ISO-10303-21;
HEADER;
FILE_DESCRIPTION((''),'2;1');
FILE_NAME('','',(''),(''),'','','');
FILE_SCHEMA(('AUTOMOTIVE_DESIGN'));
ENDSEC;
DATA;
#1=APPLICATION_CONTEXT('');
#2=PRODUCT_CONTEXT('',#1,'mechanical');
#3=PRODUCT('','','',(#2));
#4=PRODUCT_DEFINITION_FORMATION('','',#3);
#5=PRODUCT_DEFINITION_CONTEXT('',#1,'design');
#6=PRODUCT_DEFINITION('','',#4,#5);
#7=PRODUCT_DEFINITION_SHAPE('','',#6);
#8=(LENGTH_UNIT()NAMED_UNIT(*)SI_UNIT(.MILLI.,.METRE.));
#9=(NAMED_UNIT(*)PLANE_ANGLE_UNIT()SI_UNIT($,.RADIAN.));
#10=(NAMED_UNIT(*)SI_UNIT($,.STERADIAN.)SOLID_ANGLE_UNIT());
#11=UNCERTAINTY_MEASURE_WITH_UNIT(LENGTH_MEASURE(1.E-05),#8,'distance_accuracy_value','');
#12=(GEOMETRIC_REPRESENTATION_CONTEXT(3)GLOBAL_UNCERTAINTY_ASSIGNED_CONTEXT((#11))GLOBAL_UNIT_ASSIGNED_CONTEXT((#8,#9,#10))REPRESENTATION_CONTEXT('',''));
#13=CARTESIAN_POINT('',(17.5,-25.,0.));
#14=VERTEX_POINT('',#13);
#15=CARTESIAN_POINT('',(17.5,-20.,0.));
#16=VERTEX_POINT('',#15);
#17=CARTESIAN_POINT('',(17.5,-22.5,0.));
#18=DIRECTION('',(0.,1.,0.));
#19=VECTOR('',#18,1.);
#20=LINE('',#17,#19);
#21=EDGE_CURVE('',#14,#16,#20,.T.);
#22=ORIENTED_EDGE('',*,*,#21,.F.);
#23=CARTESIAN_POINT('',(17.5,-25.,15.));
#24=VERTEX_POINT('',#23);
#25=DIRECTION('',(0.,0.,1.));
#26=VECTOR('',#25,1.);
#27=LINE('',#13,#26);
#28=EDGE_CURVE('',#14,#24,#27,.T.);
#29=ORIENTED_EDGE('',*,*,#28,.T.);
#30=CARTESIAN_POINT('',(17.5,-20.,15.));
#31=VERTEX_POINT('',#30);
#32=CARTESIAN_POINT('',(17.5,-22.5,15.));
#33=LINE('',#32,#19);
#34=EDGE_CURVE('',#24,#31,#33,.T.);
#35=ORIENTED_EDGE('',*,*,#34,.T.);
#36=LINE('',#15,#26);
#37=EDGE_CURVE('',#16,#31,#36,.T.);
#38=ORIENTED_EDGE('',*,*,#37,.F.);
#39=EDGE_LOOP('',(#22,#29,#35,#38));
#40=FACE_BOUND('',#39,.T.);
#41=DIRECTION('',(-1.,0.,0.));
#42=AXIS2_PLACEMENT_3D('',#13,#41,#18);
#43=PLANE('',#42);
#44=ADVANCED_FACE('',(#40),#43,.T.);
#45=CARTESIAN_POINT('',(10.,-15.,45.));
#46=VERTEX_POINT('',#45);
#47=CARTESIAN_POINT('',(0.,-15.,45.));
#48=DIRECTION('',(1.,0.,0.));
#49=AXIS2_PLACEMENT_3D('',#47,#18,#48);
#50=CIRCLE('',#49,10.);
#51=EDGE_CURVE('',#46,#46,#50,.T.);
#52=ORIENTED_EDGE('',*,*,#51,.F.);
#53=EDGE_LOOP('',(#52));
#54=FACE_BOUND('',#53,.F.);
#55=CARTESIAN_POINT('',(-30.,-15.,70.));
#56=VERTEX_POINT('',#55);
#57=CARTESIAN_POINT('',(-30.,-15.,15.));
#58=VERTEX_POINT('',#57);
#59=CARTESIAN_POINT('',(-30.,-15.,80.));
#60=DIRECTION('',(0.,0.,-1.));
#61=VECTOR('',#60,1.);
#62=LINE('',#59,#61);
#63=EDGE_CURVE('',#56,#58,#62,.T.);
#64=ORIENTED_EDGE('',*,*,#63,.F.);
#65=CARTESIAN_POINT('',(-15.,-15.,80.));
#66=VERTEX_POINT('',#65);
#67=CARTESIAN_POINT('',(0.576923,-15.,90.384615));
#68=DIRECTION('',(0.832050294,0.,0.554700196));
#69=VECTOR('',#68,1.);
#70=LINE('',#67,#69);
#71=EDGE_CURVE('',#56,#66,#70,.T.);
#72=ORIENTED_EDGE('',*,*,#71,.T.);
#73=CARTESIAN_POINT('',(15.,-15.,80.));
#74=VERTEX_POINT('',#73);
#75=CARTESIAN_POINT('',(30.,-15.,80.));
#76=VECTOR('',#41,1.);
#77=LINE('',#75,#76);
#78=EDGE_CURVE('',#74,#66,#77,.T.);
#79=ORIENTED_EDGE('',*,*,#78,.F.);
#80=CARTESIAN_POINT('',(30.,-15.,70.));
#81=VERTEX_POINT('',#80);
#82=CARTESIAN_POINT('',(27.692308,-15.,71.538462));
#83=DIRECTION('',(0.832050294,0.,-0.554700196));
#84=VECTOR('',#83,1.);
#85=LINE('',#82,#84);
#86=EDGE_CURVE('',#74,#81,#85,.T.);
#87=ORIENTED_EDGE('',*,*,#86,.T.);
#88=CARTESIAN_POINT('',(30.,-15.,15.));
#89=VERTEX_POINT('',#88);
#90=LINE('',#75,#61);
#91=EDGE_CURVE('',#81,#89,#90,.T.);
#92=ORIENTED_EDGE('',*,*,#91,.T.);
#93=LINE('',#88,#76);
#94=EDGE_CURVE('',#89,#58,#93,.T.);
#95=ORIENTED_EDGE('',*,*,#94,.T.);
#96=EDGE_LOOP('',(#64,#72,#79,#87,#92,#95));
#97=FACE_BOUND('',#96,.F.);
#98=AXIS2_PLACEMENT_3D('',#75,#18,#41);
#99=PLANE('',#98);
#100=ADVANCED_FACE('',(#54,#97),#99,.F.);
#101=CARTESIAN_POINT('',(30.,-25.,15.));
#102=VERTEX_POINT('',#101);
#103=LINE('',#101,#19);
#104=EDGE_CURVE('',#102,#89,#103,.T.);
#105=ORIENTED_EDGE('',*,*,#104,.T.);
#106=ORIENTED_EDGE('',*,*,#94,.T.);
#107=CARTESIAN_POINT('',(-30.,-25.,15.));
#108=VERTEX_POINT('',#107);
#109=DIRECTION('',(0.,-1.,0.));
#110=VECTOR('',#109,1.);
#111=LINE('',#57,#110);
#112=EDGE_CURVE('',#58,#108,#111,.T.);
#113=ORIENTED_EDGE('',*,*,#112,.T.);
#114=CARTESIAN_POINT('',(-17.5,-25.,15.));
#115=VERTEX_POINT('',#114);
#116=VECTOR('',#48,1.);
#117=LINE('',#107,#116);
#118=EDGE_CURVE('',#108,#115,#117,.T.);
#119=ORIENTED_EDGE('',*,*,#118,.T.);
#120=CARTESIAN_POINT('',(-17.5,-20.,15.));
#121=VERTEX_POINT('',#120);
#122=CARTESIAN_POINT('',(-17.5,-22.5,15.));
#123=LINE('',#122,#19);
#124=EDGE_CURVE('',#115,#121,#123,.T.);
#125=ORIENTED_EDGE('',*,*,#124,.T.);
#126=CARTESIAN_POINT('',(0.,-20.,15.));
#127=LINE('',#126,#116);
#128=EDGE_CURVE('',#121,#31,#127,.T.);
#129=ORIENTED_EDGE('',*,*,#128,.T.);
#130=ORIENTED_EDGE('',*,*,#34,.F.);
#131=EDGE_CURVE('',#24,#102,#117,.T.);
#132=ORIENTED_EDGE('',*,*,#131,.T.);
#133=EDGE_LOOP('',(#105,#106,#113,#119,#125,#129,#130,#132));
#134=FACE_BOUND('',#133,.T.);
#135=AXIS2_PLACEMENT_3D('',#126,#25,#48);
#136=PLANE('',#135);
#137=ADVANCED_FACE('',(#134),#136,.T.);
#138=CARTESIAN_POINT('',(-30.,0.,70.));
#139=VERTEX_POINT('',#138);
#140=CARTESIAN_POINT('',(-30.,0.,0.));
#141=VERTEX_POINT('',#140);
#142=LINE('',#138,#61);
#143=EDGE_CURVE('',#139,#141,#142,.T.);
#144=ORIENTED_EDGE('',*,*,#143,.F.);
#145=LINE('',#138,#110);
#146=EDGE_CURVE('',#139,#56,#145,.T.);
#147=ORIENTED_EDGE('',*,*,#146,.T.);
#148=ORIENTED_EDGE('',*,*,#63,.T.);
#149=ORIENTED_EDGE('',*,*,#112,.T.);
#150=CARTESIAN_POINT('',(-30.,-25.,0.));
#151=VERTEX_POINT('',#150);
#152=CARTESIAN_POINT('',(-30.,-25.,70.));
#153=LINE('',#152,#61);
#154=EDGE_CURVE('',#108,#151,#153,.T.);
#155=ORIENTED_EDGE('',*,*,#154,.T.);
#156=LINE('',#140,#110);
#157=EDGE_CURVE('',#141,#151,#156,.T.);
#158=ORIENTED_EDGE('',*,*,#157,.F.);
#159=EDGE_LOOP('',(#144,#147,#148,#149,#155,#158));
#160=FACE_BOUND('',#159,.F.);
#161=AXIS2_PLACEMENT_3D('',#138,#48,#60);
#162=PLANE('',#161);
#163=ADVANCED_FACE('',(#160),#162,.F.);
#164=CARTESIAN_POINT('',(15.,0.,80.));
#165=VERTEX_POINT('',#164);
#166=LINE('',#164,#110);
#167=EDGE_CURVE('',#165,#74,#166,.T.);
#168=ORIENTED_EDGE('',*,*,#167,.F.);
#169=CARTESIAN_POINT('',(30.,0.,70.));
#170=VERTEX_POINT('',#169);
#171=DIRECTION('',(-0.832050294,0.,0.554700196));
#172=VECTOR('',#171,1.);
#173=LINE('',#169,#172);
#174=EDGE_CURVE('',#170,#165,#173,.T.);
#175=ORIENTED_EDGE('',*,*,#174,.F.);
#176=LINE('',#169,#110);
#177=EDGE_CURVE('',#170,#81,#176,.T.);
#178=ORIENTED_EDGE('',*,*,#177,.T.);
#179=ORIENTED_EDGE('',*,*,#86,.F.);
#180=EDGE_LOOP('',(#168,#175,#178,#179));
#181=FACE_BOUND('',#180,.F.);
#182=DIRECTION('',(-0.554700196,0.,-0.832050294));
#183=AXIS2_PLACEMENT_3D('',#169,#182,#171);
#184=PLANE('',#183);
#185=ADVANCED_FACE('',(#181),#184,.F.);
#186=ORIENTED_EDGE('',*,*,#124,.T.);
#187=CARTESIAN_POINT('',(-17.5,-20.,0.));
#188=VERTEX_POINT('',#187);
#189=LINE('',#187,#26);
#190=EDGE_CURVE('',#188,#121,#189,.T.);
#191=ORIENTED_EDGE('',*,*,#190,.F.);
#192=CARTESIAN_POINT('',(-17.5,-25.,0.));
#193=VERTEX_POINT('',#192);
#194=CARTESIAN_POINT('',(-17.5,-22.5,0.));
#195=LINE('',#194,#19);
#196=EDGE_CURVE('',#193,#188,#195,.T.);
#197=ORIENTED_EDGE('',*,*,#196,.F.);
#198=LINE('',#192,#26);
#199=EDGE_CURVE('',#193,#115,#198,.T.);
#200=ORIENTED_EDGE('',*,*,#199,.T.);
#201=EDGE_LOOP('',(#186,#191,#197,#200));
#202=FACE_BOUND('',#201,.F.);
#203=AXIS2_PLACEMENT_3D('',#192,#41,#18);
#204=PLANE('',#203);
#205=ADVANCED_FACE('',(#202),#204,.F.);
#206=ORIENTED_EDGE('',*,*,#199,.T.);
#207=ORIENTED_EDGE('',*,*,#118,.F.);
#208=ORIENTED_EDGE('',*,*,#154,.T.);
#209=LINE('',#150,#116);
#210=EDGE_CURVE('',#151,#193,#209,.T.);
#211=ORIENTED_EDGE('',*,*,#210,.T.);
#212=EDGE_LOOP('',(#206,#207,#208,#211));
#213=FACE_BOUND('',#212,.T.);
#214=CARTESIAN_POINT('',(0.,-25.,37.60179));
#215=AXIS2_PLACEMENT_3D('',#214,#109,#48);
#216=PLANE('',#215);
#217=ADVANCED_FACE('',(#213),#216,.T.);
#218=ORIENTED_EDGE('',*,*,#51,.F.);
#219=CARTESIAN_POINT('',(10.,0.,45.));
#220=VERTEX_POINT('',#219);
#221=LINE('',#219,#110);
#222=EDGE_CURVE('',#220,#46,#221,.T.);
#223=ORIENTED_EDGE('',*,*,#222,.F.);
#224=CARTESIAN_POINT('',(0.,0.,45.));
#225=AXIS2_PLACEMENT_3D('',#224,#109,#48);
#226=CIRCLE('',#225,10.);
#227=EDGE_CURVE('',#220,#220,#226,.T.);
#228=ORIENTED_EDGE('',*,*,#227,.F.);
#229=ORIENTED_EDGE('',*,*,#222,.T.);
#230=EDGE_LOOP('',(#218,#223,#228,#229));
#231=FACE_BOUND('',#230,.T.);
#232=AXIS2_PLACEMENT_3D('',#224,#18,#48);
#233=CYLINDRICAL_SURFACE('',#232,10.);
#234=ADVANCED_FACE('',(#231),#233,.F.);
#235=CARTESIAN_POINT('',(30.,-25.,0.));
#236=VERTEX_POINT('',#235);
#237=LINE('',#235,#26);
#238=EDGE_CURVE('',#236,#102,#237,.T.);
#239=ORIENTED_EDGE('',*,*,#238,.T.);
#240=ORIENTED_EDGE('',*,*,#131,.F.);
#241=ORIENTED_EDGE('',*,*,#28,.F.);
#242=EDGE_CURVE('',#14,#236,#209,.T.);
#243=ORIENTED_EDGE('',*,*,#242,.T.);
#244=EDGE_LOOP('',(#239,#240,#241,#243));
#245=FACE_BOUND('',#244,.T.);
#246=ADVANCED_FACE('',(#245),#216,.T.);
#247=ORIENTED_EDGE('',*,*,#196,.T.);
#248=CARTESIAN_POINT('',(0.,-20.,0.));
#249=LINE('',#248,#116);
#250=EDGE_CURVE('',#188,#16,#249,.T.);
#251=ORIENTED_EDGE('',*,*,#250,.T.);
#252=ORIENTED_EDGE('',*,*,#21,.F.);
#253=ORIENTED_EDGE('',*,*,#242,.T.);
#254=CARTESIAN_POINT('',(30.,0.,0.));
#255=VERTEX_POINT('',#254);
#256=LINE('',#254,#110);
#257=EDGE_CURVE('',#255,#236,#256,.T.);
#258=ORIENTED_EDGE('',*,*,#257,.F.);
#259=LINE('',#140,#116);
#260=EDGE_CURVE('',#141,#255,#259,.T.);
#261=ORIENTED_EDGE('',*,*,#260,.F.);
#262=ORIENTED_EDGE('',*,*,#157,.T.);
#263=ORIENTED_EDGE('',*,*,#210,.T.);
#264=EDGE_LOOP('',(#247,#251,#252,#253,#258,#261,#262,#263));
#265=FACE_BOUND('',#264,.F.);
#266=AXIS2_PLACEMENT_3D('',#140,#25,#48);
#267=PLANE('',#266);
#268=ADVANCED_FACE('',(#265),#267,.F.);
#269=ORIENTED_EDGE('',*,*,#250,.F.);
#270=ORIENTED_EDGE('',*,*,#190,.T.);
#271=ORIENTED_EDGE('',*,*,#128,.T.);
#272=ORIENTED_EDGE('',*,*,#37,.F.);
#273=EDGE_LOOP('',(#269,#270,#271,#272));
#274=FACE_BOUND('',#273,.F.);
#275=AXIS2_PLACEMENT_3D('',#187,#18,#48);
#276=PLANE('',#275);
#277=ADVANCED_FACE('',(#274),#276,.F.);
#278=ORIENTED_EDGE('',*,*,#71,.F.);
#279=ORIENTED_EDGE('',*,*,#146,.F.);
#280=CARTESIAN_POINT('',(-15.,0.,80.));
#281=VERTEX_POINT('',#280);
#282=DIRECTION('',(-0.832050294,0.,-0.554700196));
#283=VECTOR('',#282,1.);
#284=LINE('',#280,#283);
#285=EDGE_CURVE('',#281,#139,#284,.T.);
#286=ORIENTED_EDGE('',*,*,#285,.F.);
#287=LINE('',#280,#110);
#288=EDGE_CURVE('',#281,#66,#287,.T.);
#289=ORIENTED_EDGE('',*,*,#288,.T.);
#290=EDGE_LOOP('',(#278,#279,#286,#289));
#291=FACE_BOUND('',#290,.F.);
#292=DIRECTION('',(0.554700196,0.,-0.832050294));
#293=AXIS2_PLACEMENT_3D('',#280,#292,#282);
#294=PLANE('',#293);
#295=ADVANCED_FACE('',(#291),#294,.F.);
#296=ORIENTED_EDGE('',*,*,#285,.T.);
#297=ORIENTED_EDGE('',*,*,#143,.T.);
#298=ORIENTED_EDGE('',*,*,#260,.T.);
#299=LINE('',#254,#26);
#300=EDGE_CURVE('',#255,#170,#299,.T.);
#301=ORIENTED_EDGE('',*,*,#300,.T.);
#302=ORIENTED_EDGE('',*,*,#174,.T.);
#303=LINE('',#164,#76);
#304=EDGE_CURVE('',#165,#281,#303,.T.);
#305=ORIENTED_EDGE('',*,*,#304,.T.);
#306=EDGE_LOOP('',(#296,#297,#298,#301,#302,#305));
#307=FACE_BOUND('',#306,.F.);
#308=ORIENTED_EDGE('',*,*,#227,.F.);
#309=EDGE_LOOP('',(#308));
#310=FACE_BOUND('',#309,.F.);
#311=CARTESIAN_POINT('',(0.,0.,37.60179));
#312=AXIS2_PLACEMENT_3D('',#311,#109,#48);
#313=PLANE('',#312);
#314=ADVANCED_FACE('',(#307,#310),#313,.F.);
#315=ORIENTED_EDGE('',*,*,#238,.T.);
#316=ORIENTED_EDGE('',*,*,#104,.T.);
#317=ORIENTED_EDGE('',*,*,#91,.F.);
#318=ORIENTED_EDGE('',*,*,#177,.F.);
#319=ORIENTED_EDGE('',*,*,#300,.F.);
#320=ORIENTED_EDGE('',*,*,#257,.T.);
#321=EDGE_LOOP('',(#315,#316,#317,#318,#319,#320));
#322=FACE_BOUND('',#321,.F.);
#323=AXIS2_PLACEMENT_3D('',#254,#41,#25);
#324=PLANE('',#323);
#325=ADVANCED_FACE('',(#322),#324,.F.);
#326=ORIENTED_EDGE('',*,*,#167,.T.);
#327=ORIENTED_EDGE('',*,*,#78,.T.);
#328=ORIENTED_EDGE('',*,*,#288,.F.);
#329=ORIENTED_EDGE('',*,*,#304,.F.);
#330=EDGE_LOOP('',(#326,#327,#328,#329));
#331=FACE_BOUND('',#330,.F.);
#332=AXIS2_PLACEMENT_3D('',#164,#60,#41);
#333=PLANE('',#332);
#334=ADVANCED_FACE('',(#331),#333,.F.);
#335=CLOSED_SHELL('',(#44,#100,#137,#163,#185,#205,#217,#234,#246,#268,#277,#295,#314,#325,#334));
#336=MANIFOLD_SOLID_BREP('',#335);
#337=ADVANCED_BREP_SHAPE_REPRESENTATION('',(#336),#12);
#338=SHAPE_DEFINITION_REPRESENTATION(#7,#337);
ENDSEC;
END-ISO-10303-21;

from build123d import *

# Parameters (mm, degrees)
F0_R     = 10
F1_DEPTH = 25
F3_DEPTH = 65
F4_W     = 35
F4_H     = 5
F5_DEPTH = 15


with BuildPart() as f1:
    # F0 (on Front) → F1 (new body)
    with BuildSketch(Plane.XZ):
        Polygon((-30, 0), (30, 0), (30, 70), (15, 80), (-15, 80), (-30, 70), align=None)
        with Locations((0, 45)):
            Circle(F0_R, mode=Mode.SUBTRACT)
    extrude(amount=F1_DEPTH)

    # F2 (on face) → F3 (cut)
    with BuildSketch(Plane.XY.offset(80)):
        Polygon((-30, -25), (-15, -25), (30, -25), (30, -15), (-30, -15), align=None)
    extrude(amount=-F3_DEPTH, mode=Mode.SUBTRACT)

    # F4 (on Top) → F5 (cut)
    with BuildSketch(Plane.XY):
        with Locations((0, -22.5)):
            Rectangle(F4_W, F4_H)
    extrude(amount=F5_DEPTH, mode=Mode.SUBTRACT)


solid = f1.part
